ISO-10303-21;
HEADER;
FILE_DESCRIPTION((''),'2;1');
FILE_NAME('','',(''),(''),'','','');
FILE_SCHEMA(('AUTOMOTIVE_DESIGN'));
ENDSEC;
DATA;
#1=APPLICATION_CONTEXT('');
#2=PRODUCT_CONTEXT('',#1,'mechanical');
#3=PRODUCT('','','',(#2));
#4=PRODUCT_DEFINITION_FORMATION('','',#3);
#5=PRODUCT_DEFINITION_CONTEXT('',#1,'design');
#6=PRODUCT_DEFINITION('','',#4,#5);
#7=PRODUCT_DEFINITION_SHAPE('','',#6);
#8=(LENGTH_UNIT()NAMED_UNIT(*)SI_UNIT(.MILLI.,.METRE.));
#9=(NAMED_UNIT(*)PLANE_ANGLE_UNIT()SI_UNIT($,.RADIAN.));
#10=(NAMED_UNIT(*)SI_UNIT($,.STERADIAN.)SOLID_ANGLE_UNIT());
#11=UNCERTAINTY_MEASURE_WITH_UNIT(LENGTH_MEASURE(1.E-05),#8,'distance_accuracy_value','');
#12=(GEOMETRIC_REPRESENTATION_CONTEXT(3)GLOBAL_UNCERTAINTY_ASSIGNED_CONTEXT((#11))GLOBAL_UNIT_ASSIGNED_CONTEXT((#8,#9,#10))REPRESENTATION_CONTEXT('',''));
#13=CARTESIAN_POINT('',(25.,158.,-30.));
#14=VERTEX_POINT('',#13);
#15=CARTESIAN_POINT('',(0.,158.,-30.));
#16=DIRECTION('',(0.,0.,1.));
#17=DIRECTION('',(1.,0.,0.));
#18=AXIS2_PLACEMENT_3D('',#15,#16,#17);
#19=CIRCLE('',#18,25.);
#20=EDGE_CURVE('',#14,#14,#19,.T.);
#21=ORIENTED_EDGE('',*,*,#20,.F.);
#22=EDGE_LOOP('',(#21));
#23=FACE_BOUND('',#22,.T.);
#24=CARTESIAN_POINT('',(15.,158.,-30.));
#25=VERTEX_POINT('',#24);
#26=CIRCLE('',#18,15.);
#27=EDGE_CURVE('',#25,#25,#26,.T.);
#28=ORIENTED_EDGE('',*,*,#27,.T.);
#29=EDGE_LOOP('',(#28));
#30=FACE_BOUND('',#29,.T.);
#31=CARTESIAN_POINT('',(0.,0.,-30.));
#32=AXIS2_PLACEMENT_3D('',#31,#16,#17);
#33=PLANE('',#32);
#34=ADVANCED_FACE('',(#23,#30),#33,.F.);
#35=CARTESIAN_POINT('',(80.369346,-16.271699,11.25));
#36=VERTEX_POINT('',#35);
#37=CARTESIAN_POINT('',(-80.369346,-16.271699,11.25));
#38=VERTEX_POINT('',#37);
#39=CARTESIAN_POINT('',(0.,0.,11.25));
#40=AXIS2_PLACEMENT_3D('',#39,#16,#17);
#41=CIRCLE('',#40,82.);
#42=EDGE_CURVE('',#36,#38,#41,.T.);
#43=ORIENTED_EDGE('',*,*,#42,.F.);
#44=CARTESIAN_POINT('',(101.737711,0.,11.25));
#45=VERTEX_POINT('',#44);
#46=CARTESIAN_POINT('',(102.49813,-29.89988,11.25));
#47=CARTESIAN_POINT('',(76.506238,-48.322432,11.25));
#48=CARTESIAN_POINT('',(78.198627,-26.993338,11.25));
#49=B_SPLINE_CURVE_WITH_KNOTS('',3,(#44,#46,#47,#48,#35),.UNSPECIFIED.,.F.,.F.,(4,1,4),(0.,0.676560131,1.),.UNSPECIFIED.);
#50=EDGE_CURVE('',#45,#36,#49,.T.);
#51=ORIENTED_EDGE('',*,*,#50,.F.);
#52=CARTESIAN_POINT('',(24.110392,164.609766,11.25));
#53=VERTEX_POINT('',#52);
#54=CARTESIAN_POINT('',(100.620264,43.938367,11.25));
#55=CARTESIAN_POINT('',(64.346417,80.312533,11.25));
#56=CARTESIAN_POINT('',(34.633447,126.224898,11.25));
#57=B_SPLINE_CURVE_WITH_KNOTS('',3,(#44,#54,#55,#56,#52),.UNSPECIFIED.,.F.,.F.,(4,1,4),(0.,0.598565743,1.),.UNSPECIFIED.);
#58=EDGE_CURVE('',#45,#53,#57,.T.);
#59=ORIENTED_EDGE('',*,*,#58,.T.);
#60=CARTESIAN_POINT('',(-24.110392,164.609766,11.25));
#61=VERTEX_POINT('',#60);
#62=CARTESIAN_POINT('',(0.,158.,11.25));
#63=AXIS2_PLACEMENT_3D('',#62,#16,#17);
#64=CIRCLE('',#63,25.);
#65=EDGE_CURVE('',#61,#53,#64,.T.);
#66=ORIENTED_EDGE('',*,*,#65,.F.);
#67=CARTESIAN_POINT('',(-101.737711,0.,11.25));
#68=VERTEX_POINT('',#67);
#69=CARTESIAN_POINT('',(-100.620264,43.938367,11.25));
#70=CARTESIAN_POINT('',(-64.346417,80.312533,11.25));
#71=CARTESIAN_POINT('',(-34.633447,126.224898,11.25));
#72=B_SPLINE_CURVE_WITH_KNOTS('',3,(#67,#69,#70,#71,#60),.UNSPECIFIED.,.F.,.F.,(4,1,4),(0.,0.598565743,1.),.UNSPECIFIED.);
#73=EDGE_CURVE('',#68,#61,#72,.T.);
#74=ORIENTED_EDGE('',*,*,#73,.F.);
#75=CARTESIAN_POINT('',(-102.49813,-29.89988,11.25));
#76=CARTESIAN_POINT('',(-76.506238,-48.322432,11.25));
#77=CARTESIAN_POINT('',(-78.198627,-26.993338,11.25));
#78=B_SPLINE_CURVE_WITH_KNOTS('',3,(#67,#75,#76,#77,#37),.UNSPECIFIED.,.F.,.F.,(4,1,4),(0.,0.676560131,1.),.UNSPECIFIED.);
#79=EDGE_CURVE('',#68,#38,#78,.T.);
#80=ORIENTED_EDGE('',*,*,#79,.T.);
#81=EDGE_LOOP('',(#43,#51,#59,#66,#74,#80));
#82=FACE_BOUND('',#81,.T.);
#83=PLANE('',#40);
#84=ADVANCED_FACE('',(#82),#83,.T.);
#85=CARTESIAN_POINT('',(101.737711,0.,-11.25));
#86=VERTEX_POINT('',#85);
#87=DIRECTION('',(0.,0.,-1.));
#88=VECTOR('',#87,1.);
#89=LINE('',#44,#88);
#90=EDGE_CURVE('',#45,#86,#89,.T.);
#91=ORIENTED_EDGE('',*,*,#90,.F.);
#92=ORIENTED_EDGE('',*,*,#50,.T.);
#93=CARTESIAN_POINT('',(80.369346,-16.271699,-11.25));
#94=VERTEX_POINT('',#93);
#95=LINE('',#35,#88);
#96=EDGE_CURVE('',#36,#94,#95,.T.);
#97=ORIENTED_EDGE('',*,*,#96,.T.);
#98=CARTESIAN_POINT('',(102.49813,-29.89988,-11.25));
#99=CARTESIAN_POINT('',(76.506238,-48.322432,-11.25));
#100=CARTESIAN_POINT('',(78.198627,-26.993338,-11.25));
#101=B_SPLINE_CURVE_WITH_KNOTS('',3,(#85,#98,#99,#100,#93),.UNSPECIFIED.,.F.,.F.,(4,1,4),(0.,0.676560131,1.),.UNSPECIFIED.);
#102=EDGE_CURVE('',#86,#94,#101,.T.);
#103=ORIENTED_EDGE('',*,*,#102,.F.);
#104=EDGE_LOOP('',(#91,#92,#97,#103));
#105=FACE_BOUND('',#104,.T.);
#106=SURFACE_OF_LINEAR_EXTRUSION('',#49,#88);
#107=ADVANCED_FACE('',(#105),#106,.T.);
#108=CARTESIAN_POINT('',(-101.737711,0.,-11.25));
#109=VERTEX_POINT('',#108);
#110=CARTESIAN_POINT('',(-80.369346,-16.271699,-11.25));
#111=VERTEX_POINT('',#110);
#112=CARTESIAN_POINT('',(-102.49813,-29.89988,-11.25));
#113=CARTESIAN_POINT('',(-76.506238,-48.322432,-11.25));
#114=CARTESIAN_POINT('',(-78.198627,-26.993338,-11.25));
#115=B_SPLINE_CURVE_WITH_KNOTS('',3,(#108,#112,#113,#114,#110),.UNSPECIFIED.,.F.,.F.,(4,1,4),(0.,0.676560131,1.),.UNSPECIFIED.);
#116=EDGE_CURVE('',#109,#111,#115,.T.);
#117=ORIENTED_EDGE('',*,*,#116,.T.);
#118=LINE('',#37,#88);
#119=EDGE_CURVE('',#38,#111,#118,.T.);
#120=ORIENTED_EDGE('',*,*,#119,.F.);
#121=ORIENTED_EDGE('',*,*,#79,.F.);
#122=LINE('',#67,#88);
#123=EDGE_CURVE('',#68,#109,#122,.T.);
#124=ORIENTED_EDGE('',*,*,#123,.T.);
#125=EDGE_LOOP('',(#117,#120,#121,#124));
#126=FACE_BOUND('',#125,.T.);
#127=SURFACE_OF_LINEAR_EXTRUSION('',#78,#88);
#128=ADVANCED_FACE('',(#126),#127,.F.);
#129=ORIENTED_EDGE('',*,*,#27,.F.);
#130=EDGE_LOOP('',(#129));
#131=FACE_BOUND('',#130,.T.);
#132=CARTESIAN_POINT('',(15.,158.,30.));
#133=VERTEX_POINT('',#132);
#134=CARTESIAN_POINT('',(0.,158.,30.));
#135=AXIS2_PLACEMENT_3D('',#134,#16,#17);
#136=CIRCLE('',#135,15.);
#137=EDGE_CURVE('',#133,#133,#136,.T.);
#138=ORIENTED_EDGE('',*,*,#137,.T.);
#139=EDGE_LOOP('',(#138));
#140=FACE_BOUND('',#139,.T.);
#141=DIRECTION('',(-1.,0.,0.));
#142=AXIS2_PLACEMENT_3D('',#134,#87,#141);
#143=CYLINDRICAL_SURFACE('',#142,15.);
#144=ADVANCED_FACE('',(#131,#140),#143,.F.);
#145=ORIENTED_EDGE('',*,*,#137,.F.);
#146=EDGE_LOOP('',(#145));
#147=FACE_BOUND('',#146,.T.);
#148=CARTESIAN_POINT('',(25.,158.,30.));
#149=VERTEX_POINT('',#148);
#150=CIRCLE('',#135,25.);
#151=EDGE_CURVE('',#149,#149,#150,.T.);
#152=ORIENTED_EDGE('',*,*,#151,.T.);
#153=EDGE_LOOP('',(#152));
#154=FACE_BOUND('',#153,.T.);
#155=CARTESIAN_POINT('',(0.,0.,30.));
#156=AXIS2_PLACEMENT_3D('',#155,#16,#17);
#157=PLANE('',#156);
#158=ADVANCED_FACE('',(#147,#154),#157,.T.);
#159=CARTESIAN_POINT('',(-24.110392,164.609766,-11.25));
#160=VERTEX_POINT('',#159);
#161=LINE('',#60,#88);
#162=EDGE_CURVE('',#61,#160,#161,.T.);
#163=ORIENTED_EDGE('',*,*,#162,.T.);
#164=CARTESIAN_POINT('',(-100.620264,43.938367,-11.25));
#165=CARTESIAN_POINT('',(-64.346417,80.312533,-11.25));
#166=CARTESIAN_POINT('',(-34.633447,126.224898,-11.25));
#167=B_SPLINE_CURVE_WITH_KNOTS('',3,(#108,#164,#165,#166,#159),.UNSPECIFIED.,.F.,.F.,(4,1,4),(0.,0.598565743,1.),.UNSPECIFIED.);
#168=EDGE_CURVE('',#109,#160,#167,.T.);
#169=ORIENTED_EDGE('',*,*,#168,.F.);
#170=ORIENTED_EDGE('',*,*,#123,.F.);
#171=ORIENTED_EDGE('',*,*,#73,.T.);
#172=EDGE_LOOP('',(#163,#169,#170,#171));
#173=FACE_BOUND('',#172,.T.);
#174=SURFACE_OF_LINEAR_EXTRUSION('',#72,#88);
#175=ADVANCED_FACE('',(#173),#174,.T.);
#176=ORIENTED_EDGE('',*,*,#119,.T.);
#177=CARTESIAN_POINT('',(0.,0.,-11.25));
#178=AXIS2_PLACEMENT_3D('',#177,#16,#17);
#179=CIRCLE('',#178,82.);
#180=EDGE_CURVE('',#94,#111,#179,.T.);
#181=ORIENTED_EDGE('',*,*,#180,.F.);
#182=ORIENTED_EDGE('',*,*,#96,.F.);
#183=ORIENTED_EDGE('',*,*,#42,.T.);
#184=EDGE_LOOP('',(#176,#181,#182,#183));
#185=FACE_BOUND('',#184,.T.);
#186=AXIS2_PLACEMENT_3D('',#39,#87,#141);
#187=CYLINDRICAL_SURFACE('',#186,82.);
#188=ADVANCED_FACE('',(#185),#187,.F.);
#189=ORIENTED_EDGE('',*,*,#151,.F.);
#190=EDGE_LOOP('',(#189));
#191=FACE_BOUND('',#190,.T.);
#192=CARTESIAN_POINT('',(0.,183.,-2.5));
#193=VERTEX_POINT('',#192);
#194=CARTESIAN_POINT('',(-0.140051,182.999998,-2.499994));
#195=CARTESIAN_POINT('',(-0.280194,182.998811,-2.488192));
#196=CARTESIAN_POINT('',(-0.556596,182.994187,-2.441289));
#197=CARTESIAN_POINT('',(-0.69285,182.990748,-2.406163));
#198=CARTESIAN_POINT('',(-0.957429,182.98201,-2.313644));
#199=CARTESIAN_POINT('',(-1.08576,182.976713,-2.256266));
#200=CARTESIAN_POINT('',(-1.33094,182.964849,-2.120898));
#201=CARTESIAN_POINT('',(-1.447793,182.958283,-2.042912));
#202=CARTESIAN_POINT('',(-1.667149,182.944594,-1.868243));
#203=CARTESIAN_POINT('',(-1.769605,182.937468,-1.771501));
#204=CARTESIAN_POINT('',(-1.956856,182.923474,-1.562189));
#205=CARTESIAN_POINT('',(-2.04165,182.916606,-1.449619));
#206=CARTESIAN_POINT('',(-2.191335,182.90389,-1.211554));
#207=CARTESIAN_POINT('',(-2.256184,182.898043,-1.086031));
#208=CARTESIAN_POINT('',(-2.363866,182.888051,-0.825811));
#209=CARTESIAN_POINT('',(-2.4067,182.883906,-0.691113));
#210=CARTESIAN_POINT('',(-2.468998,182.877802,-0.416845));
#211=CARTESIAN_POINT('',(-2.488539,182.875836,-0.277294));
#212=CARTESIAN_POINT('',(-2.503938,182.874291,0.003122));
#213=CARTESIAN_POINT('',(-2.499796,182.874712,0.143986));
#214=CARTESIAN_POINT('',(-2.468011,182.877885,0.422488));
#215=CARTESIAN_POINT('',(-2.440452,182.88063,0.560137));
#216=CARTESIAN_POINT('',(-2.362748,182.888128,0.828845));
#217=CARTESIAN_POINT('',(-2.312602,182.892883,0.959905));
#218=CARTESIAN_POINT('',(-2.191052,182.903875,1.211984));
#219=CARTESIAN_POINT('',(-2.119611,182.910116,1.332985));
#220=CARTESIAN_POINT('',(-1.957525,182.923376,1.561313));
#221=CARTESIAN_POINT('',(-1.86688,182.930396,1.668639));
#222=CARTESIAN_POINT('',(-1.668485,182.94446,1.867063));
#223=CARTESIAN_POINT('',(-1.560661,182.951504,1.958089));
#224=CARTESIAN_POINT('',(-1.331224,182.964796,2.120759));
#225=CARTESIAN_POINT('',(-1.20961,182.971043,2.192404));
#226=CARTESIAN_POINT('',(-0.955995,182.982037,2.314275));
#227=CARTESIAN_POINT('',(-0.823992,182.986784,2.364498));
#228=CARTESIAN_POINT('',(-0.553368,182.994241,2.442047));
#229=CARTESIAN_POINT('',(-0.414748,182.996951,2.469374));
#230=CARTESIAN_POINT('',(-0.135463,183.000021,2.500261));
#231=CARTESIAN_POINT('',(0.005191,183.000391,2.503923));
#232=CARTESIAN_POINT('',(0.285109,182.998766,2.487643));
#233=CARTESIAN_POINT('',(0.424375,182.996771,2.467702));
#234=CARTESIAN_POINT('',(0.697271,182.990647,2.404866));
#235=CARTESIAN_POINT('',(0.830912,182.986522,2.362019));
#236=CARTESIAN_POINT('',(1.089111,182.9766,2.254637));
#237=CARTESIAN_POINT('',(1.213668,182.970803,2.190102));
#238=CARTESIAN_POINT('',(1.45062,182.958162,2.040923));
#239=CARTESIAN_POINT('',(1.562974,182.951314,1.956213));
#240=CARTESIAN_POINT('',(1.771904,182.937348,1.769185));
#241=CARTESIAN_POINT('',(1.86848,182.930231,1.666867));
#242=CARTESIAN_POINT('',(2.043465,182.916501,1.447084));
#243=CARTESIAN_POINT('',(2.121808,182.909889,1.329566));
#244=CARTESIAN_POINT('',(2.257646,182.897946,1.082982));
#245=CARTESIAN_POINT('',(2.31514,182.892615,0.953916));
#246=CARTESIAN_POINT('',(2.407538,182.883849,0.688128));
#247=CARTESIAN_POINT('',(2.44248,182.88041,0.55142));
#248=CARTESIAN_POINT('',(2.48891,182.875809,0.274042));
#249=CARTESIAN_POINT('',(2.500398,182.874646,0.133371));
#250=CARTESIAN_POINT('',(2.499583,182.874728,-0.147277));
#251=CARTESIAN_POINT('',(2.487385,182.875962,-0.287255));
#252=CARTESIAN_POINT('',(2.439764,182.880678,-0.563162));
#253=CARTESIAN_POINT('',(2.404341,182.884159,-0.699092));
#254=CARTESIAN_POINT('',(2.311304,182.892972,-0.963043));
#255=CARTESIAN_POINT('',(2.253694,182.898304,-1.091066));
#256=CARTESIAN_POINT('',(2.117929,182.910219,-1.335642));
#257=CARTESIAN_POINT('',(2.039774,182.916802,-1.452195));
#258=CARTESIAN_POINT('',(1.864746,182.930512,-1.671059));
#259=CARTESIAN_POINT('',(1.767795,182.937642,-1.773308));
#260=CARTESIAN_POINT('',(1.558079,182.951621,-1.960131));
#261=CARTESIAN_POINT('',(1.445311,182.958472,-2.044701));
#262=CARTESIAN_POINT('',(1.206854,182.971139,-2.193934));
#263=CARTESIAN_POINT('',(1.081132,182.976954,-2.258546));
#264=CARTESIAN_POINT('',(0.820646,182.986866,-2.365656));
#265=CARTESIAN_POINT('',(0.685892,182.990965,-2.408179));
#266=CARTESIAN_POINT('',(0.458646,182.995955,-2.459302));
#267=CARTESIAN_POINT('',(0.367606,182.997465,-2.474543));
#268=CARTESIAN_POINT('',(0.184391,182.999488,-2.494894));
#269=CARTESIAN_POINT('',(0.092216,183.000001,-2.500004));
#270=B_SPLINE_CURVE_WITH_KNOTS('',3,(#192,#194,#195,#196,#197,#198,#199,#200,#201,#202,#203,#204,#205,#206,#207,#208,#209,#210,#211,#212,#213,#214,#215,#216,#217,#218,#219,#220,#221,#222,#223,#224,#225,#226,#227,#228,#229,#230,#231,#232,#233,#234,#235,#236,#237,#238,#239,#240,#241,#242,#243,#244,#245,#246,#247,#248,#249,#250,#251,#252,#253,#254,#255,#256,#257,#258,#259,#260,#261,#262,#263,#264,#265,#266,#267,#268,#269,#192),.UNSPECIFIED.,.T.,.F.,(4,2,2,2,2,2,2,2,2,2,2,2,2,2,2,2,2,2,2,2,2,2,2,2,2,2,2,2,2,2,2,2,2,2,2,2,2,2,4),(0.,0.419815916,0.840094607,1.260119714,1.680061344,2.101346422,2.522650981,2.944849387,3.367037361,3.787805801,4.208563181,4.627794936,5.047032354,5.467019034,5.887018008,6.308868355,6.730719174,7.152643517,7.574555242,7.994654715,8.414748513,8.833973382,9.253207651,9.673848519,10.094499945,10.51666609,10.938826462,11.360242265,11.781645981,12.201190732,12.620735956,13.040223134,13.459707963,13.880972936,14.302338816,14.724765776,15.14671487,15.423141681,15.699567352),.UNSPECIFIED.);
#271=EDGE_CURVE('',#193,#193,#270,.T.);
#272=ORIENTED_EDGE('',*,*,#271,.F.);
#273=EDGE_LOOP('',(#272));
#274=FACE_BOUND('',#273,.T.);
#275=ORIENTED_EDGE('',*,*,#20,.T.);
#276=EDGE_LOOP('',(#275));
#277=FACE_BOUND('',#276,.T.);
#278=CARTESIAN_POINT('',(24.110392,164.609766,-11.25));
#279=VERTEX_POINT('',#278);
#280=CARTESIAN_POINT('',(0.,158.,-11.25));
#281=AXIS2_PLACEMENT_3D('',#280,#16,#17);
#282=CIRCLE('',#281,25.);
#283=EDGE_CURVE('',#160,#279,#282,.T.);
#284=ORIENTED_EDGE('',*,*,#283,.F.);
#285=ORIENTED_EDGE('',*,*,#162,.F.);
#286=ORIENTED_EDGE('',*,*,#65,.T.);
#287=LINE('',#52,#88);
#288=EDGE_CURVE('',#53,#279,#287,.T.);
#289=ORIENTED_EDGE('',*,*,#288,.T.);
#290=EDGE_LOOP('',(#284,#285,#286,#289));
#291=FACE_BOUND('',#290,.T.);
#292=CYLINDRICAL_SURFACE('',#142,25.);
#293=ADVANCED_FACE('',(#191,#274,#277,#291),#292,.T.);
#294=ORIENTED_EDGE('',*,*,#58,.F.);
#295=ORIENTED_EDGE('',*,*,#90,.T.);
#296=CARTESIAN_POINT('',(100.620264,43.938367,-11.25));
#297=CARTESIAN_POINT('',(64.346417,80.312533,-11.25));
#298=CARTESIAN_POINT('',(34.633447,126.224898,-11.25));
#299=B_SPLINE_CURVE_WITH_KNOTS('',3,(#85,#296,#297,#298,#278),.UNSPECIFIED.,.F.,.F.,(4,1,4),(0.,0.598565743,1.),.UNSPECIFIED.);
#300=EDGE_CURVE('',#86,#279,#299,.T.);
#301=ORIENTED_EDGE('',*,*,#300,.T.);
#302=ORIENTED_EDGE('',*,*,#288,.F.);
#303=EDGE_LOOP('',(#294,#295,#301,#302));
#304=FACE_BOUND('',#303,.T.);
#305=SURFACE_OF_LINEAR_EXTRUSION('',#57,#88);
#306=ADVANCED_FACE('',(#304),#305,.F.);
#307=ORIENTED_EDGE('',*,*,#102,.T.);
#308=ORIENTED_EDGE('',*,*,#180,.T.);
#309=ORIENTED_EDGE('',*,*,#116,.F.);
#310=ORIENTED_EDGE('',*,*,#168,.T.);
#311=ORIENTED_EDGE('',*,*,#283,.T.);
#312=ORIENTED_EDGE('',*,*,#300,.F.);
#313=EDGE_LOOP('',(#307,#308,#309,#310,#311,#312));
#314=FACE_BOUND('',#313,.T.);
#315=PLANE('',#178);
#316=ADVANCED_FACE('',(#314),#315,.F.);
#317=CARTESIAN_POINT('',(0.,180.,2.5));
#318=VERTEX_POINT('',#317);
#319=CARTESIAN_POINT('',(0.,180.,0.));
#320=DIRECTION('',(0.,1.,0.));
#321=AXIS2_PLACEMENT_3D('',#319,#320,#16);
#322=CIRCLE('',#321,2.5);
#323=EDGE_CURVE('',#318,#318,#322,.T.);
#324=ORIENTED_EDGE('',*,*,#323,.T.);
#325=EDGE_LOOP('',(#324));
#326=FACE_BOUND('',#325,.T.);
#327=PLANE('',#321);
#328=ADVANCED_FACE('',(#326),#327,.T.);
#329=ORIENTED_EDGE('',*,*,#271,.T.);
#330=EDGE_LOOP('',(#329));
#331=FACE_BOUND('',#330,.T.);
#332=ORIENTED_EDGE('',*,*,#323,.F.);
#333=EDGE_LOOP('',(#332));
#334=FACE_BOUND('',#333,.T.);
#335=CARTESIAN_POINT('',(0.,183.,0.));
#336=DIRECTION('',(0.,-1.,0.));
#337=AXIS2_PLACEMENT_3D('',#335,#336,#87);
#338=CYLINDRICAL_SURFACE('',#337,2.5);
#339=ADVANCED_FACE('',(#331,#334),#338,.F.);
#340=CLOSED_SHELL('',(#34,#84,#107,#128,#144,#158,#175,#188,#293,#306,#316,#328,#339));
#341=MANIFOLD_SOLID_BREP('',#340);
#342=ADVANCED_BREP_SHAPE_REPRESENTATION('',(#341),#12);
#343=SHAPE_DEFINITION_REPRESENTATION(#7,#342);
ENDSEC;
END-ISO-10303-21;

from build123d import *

# Parameters (mm, degrees)
BOSS_EXTRUDE1_DEPTH = 11.25
SKETCH1_3_R         = 25
SKETCH1_3_R_2       = 15
BOSS_EXTRUDE2_DEPTH = 30
SKETCH3_R           = 2.5
CUT_EXTRUDE1_DEPTH  = 4


with BuildPart() as part:
    # Sketch1 → Boss-Extrude1 (new body, symmetric)
    with BuildSketch(Plane.XY):
        with BuildLine():
            ThreePointArc((-80.369346148, -16.271699348), (0, 82), (80.369346148, -16.271699348))
            add(Edge.make_bspline(
                [(101.737711244, 0), (102.498129601, -29.89988011), (76.506237686, -48.322432058), (78.198626966, -26.993338043), (80.369346148, -16.271699348)],
                knots=[0, 0, 0, 0, 0.676560131, 1, 1, 1, 1], degree=3))
            add(Edge.make_bspline(
                [(101.737711244, 0), (100.620263928, 43.938366918), (64.346417004, 80.312533322), (34.633446861, 126.224897928), (24.110391918, 164.609765621)],
                knots=[0, 0, 0, 0, 0.598565743, 1, 1, 1, 1], degree=3))
            ThreePointArc((24.110391918, 164.609765621), (24.776599827, 161.334681548), (25, 158))
            ThreePointArc((25, 158), (-3.334681548, 133.223400173), (-24.110391918, 164.609765621))
            add(Edge.make_bspline(
                [(-101.737711244, 0), (-100.620263928, 43.938366918), (-64.346417004, 80.312533322), (-34.633446861, 126.224897928), (-24.110391918, 164.609765621)],
                knots=[0, 0, 0, 0, 0.598565743, 1, 1, 1, 1], degree=3))
            add(Edge.make_bspline(
                [(-101.737711244, 0), (-102.498129601, -29.89988011), (-76.506237686, -48.322432058), (-78.198626966, -26.993338043), (-80.369346148, -16.271699348)],
                knots=[0, 0, 0, 0, 0.676560131, 1, 1, 1, 1], degree=3))
        make_face()
    extrude(amount=BOSS_EXTRUDE1_DEPTH, both=True)

    # Sketch1<3> → Boss-Extrude2 (add, symmetric)
    with BuildSketch(Plane.XY):
        with Locations((0, 158)):
            Circle(SKETCH1_3_R)
        with Locations((0, 158)):
            Circle(SKETCH1_3_R_2, mode=Mode.SUBTRACT)
    extrude(amount=BOSS_EXTRUDE2_DEPTH, both=True)

    # Sketch3 → Cut-Extrude1 (cut, through all)
    with BuildSketch(Plane(origin=(0, 180, 0), x_dir=(1, 0, 0), z_dir=(0, 1, 0))):
        Circle(SKETCH3_R)
    extrude(amount=CUT_EXTRUDE1_DEPTH, mode=Mode.SUBTRACT)


solid = part.part
